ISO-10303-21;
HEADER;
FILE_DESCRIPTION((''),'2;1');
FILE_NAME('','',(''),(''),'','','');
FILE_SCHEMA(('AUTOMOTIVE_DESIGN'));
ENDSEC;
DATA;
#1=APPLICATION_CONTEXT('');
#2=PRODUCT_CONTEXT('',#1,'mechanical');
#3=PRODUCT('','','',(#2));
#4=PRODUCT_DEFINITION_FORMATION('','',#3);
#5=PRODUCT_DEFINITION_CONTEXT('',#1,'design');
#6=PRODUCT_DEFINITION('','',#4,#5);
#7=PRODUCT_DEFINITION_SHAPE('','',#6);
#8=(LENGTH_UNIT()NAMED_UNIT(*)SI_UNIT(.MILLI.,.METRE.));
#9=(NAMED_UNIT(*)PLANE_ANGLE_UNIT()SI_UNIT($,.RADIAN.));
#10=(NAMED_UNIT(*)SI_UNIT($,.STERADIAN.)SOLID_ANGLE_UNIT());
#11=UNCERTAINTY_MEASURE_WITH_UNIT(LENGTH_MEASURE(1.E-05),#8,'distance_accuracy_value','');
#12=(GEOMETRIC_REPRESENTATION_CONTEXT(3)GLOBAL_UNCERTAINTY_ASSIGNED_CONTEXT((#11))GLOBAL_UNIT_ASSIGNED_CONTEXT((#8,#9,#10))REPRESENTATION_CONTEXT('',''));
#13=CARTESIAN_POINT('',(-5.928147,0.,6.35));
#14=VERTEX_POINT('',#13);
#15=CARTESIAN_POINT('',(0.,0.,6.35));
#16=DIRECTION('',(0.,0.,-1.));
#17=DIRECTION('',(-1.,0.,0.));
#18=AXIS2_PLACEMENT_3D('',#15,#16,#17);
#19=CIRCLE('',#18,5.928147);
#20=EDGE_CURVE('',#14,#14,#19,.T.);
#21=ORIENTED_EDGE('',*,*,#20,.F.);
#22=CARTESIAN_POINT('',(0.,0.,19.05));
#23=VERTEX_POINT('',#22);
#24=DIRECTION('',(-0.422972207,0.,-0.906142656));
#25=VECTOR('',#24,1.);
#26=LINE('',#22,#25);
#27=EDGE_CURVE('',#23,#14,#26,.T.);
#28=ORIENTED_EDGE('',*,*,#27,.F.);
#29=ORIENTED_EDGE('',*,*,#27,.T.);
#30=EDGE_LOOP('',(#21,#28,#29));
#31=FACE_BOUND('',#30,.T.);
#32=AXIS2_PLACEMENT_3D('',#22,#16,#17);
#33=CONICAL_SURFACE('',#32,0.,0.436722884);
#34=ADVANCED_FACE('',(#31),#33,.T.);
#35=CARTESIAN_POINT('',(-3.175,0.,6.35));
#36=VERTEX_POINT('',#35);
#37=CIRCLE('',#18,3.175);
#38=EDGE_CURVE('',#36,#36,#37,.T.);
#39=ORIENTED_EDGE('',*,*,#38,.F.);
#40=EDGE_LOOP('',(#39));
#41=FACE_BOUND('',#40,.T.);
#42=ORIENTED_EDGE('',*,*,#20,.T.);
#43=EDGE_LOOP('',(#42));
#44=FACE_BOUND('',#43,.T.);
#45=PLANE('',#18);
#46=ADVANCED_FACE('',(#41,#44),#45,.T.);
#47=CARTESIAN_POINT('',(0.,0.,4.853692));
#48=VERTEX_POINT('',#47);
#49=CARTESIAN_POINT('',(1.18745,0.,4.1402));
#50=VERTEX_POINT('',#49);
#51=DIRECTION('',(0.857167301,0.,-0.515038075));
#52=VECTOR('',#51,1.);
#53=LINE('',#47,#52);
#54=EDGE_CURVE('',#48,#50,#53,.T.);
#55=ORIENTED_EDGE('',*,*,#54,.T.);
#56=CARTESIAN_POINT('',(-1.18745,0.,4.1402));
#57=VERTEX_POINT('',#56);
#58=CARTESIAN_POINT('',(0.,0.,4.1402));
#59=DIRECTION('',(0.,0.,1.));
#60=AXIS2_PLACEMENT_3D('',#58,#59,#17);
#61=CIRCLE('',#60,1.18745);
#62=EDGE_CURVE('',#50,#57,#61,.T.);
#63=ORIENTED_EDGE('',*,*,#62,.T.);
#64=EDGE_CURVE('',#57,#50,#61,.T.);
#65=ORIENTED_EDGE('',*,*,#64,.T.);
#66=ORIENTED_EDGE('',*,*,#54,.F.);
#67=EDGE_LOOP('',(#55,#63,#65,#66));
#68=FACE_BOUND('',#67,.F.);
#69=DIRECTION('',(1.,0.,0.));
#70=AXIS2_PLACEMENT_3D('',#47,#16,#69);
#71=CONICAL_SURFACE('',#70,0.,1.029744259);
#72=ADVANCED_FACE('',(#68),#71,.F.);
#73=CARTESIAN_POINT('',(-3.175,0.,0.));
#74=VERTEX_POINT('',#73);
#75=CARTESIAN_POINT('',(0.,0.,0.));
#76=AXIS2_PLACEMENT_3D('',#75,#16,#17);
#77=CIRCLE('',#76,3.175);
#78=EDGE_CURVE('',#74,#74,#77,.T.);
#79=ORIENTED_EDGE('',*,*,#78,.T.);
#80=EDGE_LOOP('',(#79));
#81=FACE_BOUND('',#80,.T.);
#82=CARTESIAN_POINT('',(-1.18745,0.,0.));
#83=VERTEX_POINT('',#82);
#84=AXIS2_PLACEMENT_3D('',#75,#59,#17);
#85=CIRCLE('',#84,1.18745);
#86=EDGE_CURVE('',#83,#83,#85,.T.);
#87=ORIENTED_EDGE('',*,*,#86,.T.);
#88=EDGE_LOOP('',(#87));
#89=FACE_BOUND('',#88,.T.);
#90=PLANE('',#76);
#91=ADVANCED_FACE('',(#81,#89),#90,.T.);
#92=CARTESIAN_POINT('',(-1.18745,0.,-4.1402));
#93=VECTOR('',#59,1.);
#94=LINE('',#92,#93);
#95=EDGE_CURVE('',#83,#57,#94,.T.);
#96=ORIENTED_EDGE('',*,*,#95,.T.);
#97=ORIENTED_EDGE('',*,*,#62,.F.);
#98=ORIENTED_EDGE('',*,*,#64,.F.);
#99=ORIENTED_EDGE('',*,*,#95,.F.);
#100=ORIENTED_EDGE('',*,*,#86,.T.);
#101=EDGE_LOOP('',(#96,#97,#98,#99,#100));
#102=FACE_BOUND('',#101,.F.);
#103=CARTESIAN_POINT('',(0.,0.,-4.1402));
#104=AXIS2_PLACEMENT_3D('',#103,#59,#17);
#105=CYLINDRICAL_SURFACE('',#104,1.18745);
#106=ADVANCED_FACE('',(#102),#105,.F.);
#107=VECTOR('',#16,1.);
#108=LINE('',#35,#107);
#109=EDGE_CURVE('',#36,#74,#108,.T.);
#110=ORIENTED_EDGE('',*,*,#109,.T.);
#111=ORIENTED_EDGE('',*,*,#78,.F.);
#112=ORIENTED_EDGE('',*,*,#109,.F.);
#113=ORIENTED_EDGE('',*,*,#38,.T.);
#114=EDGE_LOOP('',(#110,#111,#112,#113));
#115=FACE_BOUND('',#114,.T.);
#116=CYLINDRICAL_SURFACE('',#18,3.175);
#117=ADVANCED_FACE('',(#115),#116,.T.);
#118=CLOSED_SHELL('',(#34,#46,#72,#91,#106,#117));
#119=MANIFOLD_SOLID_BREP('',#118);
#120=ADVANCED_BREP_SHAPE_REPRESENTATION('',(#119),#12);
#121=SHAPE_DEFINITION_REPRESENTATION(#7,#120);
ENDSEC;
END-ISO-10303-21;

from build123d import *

# Parameters (mm, degrees)
F3_D     = 2.3749
F3_DEPTH = 4.1402
F3_TIP   = 0.7134919421


with BuildPart() as f1:
    # F0 (on Front) → F1 (revolve)
    with BuildSketch(Plane.XZ):
        Polygon((-3.175, 0), (0, 0), (0, 19.05), (-5.9281471776, 6.35), (-3.175, 6.35), align=None)
    revolve(axis=Axis((0, 0, 9.525), (0, 0, -1)))

    # F3
    with Locations(Plane(origin=(0, 0, 0), x_dir=(1, 0, 0), z_dir=(0, 0, -1))):
        with Locations((0, 0)):
            Hole(F3_D / 2, depth=F3_DEPTH)
            with Locations((0, 0, -(F3_DEPTH + F3_TIP / 2))):  # 118° drill point
                Cone(0, F3_D / 2, F3_TIP, mode=Mode.SUBTRACT)


solid = f1.part
